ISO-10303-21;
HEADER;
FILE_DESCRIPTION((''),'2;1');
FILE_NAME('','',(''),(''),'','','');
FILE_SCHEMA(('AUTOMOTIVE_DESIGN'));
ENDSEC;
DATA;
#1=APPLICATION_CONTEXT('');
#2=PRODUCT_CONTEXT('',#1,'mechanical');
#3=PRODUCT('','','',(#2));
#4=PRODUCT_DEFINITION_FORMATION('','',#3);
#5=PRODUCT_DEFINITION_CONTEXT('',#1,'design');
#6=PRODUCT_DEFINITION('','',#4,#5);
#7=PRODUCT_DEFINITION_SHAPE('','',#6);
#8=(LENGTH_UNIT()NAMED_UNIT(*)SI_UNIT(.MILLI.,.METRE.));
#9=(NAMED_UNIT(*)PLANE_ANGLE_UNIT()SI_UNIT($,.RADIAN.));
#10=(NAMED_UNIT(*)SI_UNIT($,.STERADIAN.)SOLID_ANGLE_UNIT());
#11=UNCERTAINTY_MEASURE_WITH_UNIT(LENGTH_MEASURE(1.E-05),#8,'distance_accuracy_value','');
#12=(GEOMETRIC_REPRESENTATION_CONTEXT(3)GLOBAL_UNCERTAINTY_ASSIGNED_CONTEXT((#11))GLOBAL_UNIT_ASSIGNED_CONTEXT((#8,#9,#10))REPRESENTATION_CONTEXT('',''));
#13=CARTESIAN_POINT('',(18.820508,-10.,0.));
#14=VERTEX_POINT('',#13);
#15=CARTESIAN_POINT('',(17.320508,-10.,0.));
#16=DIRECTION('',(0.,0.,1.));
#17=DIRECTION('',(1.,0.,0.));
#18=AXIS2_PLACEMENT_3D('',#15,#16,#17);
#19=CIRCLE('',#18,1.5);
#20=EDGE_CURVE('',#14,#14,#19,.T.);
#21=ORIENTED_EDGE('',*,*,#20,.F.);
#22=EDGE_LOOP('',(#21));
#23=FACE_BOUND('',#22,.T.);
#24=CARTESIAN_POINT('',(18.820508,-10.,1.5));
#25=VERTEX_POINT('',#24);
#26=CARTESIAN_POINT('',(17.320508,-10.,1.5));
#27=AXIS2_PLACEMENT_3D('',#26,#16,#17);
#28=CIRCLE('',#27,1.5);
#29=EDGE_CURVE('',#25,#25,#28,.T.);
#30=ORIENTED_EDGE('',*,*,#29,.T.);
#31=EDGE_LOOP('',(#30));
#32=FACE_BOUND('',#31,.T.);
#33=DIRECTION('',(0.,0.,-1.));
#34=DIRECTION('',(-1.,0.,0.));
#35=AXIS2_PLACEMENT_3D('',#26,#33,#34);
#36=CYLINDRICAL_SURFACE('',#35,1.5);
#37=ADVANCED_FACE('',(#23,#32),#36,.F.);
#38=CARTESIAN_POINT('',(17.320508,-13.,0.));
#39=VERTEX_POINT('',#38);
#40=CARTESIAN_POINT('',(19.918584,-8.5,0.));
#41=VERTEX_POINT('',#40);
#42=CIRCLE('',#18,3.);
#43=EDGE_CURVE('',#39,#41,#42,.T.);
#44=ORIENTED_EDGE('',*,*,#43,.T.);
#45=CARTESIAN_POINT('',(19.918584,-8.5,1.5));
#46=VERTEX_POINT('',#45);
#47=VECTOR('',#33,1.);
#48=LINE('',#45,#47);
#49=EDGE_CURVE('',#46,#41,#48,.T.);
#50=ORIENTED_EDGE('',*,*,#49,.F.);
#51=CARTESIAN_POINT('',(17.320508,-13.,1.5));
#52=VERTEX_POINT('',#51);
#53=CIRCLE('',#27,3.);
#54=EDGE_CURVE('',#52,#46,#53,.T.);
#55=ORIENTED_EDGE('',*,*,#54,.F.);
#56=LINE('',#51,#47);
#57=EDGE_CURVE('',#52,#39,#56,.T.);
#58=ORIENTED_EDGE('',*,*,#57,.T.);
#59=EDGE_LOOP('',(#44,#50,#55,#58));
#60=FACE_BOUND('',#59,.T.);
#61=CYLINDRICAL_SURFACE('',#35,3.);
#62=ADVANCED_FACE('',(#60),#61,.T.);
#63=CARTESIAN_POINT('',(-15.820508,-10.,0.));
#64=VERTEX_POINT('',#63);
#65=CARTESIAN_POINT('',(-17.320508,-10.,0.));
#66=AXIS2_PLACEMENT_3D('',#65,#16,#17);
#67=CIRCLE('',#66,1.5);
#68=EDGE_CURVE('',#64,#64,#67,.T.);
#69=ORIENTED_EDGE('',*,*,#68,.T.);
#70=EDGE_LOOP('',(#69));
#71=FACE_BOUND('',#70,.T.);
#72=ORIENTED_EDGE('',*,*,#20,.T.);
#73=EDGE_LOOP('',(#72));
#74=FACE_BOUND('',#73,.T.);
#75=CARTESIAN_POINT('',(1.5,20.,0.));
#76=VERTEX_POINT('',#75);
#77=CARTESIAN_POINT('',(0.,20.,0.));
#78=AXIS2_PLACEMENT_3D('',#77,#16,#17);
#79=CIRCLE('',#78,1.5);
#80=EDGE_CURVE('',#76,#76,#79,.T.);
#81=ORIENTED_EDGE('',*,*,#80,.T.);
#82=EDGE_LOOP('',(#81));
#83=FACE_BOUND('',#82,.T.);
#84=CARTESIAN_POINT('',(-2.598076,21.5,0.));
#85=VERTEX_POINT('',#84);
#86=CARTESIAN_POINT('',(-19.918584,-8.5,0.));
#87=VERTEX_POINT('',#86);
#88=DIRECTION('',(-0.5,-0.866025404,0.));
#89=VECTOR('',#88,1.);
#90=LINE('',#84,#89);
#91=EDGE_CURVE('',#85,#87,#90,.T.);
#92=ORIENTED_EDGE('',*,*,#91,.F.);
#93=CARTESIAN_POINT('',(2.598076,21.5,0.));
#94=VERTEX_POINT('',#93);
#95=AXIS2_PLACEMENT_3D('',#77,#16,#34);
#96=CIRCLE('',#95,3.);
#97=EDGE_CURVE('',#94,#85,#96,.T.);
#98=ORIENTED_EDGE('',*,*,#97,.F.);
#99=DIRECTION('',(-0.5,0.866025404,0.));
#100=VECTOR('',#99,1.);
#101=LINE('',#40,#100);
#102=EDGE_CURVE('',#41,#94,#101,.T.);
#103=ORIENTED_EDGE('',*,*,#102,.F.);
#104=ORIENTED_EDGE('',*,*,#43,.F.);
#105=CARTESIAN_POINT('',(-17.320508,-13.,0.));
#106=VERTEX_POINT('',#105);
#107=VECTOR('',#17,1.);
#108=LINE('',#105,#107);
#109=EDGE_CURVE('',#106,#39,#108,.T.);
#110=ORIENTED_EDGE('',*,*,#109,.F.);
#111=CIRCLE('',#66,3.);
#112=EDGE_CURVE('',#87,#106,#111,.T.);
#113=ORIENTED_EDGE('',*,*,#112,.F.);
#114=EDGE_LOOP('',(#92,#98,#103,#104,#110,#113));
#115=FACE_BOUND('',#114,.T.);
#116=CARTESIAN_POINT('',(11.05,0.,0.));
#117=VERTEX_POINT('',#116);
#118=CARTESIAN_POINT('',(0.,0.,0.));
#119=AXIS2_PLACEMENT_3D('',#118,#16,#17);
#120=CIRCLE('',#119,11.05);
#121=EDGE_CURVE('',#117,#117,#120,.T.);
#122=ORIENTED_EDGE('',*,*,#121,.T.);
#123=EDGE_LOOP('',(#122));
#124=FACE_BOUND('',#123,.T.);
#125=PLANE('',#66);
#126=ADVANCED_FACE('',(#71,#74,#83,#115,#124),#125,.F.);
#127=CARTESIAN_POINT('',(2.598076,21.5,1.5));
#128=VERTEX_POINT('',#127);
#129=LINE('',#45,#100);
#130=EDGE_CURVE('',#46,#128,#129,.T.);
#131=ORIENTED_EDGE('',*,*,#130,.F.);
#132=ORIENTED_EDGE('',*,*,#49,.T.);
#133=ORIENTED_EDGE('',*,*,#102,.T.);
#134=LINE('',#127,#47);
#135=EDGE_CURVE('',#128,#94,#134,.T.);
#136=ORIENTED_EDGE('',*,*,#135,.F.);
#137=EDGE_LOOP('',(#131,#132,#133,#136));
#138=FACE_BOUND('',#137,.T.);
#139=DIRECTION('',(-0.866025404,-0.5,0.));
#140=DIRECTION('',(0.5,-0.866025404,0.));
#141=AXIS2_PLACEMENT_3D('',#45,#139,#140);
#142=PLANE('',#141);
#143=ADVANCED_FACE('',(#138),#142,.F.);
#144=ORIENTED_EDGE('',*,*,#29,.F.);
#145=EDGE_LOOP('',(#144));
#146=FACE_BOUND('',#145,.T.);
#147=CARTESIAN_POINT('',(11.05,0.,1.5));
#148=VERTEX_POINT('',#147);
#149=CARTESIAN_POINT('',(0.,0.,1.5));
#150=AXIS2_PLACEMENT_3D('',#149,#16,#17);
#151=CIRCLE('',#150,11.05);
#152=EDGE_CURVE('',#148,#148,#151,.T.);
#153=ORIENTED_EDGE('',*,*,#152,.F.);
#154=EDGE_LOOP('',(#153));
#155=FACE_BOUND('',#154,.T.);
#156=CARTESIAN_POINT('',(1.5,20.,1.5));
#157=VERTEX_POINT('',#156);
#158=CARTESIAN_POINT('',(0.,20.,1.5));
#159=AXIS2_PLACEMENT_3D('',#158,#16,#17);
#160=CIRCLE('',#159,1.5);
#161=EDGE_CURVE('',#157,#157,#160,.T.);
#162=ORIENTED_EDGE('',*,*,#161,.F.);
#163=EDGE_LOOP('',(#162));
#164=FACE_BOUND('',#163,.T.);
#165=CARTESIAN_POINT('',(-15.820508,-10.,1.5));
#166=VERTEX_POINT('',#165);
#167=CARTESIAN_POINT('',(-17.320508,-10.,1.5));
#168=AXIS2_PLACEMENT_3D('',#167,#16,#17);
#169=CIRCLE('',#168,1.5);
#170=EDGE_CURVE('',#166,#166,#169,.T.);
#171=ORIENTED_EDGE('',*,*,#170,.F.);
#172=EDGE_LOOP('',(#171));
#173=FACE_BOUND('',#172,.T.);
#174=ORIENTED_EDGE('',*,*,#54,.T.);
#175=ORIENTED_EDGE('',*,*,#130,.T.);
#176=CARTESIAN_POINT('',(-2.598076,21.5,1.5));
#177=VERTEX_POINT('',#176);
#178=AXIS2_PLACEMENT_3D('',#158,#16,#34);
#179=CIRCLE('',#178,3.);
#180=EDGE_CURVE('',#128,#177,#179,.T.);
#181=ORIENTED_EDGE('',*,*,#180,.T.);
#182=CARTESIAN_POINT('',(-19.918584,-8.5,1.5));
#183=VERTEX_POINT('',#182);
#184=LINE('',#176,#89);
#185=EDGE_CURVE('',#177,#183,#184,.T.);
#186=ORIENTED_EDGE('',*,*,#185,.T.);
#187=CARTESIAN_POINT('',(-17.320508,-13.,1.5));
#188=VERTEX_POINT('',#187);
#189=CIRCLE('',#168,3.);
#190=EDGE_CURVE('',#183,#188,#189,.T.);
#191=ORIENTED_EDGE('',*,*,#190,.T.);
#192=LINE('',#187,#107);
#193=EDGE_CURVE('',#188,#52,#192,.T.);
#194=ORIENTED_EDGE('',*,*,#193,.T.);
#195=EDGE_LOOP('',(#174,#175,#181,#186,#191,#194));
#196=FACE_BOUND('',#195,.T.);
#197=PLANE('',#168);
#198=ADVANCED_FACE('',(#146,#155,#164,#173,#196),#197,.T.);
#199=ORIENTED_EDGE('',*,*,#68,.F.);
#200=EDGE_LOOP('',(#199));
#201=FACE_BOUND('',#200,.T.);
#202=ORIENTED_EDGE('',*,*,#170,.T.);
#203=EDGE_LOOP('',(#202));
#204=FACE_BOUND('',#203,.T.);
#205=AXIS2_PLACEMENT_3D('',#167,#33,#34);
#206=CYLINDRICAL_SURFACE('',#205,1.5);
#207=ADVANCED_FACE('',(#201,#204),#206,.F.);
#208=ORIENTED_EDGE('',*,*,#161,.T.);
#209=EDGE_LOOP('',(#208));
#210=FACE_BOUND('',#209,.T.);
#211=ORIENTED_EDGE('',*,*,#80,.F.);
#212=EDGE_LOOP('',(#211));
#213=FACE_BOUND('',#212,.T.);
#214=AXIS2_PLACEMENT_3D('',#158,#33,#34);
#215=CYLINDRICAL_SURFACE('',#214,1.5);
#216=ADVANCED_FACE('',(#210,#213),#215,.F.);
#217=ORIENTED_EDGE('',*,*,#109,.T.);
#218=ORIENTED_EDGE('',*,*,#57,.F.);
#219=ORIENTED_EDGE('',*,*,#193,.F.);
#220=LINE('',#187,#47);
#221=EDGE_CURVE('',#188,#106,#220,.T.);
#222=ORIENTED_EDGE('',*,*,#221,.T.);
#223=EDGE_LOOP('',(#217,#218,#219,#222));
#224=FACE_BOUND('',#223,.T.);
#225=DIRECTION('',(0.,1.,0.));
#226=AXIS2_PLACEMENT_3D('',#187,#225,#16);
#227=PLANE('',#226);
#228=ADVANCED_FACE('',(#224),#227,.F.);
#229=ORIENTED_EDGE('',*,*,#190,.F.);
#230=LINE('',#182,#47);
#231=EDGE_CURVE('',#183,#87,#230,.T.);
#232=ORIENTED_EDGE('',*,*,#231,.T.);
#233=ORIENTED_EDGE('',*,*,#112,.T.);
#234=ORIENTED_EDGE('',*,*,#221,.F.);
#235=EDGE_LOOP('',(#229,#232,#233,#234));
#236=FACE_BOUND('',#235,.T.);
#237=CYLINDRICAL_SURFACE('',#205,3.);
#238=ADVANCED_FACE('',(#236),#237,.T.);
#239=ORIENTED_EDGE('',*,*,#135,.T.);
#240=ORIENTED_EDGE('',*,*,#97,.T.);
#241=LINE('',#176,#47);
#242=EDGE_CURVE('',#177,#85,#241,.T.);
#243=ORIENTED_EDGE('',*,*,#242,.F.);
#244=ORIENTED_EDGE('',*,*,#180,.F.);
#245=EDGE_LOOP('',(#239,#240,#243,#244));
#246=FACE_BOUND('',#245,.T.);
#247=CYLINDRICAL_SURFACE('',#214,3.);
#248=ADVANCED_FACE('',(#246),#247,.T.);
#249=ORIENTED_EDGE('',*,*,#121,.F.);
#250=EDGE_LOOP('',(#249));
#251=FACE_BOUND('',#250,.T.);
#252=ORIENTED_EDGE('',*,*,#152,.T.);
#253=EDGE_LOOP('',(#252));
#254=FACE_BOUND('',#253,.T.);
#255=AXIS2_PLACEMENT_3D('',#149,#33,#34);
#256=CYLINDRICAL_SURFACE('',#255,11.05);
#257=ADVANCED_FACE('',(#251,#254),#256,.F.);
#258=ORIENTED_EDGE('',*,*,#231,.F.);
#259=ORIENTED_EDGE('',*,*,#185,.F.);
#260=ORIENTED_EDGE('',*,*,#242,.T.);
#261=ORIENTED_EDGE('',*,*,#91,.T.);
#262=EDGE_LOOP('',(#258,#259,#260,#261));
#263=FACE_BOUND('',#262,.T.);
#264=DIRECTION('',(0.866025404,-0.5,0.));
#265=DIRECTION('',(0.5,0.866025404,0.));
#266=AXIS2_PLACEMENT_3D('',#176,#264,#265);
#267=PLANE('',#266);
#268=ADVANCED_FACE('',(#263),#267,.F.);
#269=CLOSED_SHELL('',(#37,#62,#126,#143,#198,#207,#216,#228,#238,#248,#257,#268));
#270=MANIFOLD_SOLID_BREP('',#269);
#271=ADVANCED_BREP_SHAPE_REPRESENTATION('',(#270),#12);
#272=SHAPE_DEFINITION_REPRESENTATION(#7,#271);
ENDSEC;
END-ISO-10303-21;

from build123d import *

# Parameters (mm, degrees)
SKETCH_1_R      = 1.5
SKETCH_1_R_2    = 11.05
EXTRUDE_1_DEPTH = 1.5


with BuildPart() as part:
    # 草图1 → 凸台-拉伸1 (new body)
    with BuildSketch(Plane.XY):
        with BuildLine():
            Line((-2.598076211, 21.5), (-19.918584287, -8.5))
            ThreePointArc((-19.918584287, -8.5), (-19.918584287, -11.5), (-17.320508076, -13))
            Line((-17.320508076, -13), (17.320508076, -13))
            ThreePointArc((17.320508076, -13), (19.918584287, -11.5), (19.918584287, -8.5))
            Line((19.918584287, -8.5), (2.598076211, 21.5))
            ThreePointArc((2.598076211, 21.5), (0, 23), (-2.598076211, 21.5))
        make_face()
        with Locations((-17.320508076, -10)):
            Circle(SKETCH_1_R, mode=Mode.SUBTRACT)
        with Locations((0, 20)):
            Circle(SKETCH_1_R, mode=Mode.SUBTRACT)
        with Locations((17.320508076, -10)):
            Circle(SKETCH_1_R, mode=Mode.SUBTRACT)
        Circle(SKETCH_1_R_2, mode=Mode.SUBTRACT)
    extrude(amount=EXTRUDE_1_DEPTH)


solid = part.part
